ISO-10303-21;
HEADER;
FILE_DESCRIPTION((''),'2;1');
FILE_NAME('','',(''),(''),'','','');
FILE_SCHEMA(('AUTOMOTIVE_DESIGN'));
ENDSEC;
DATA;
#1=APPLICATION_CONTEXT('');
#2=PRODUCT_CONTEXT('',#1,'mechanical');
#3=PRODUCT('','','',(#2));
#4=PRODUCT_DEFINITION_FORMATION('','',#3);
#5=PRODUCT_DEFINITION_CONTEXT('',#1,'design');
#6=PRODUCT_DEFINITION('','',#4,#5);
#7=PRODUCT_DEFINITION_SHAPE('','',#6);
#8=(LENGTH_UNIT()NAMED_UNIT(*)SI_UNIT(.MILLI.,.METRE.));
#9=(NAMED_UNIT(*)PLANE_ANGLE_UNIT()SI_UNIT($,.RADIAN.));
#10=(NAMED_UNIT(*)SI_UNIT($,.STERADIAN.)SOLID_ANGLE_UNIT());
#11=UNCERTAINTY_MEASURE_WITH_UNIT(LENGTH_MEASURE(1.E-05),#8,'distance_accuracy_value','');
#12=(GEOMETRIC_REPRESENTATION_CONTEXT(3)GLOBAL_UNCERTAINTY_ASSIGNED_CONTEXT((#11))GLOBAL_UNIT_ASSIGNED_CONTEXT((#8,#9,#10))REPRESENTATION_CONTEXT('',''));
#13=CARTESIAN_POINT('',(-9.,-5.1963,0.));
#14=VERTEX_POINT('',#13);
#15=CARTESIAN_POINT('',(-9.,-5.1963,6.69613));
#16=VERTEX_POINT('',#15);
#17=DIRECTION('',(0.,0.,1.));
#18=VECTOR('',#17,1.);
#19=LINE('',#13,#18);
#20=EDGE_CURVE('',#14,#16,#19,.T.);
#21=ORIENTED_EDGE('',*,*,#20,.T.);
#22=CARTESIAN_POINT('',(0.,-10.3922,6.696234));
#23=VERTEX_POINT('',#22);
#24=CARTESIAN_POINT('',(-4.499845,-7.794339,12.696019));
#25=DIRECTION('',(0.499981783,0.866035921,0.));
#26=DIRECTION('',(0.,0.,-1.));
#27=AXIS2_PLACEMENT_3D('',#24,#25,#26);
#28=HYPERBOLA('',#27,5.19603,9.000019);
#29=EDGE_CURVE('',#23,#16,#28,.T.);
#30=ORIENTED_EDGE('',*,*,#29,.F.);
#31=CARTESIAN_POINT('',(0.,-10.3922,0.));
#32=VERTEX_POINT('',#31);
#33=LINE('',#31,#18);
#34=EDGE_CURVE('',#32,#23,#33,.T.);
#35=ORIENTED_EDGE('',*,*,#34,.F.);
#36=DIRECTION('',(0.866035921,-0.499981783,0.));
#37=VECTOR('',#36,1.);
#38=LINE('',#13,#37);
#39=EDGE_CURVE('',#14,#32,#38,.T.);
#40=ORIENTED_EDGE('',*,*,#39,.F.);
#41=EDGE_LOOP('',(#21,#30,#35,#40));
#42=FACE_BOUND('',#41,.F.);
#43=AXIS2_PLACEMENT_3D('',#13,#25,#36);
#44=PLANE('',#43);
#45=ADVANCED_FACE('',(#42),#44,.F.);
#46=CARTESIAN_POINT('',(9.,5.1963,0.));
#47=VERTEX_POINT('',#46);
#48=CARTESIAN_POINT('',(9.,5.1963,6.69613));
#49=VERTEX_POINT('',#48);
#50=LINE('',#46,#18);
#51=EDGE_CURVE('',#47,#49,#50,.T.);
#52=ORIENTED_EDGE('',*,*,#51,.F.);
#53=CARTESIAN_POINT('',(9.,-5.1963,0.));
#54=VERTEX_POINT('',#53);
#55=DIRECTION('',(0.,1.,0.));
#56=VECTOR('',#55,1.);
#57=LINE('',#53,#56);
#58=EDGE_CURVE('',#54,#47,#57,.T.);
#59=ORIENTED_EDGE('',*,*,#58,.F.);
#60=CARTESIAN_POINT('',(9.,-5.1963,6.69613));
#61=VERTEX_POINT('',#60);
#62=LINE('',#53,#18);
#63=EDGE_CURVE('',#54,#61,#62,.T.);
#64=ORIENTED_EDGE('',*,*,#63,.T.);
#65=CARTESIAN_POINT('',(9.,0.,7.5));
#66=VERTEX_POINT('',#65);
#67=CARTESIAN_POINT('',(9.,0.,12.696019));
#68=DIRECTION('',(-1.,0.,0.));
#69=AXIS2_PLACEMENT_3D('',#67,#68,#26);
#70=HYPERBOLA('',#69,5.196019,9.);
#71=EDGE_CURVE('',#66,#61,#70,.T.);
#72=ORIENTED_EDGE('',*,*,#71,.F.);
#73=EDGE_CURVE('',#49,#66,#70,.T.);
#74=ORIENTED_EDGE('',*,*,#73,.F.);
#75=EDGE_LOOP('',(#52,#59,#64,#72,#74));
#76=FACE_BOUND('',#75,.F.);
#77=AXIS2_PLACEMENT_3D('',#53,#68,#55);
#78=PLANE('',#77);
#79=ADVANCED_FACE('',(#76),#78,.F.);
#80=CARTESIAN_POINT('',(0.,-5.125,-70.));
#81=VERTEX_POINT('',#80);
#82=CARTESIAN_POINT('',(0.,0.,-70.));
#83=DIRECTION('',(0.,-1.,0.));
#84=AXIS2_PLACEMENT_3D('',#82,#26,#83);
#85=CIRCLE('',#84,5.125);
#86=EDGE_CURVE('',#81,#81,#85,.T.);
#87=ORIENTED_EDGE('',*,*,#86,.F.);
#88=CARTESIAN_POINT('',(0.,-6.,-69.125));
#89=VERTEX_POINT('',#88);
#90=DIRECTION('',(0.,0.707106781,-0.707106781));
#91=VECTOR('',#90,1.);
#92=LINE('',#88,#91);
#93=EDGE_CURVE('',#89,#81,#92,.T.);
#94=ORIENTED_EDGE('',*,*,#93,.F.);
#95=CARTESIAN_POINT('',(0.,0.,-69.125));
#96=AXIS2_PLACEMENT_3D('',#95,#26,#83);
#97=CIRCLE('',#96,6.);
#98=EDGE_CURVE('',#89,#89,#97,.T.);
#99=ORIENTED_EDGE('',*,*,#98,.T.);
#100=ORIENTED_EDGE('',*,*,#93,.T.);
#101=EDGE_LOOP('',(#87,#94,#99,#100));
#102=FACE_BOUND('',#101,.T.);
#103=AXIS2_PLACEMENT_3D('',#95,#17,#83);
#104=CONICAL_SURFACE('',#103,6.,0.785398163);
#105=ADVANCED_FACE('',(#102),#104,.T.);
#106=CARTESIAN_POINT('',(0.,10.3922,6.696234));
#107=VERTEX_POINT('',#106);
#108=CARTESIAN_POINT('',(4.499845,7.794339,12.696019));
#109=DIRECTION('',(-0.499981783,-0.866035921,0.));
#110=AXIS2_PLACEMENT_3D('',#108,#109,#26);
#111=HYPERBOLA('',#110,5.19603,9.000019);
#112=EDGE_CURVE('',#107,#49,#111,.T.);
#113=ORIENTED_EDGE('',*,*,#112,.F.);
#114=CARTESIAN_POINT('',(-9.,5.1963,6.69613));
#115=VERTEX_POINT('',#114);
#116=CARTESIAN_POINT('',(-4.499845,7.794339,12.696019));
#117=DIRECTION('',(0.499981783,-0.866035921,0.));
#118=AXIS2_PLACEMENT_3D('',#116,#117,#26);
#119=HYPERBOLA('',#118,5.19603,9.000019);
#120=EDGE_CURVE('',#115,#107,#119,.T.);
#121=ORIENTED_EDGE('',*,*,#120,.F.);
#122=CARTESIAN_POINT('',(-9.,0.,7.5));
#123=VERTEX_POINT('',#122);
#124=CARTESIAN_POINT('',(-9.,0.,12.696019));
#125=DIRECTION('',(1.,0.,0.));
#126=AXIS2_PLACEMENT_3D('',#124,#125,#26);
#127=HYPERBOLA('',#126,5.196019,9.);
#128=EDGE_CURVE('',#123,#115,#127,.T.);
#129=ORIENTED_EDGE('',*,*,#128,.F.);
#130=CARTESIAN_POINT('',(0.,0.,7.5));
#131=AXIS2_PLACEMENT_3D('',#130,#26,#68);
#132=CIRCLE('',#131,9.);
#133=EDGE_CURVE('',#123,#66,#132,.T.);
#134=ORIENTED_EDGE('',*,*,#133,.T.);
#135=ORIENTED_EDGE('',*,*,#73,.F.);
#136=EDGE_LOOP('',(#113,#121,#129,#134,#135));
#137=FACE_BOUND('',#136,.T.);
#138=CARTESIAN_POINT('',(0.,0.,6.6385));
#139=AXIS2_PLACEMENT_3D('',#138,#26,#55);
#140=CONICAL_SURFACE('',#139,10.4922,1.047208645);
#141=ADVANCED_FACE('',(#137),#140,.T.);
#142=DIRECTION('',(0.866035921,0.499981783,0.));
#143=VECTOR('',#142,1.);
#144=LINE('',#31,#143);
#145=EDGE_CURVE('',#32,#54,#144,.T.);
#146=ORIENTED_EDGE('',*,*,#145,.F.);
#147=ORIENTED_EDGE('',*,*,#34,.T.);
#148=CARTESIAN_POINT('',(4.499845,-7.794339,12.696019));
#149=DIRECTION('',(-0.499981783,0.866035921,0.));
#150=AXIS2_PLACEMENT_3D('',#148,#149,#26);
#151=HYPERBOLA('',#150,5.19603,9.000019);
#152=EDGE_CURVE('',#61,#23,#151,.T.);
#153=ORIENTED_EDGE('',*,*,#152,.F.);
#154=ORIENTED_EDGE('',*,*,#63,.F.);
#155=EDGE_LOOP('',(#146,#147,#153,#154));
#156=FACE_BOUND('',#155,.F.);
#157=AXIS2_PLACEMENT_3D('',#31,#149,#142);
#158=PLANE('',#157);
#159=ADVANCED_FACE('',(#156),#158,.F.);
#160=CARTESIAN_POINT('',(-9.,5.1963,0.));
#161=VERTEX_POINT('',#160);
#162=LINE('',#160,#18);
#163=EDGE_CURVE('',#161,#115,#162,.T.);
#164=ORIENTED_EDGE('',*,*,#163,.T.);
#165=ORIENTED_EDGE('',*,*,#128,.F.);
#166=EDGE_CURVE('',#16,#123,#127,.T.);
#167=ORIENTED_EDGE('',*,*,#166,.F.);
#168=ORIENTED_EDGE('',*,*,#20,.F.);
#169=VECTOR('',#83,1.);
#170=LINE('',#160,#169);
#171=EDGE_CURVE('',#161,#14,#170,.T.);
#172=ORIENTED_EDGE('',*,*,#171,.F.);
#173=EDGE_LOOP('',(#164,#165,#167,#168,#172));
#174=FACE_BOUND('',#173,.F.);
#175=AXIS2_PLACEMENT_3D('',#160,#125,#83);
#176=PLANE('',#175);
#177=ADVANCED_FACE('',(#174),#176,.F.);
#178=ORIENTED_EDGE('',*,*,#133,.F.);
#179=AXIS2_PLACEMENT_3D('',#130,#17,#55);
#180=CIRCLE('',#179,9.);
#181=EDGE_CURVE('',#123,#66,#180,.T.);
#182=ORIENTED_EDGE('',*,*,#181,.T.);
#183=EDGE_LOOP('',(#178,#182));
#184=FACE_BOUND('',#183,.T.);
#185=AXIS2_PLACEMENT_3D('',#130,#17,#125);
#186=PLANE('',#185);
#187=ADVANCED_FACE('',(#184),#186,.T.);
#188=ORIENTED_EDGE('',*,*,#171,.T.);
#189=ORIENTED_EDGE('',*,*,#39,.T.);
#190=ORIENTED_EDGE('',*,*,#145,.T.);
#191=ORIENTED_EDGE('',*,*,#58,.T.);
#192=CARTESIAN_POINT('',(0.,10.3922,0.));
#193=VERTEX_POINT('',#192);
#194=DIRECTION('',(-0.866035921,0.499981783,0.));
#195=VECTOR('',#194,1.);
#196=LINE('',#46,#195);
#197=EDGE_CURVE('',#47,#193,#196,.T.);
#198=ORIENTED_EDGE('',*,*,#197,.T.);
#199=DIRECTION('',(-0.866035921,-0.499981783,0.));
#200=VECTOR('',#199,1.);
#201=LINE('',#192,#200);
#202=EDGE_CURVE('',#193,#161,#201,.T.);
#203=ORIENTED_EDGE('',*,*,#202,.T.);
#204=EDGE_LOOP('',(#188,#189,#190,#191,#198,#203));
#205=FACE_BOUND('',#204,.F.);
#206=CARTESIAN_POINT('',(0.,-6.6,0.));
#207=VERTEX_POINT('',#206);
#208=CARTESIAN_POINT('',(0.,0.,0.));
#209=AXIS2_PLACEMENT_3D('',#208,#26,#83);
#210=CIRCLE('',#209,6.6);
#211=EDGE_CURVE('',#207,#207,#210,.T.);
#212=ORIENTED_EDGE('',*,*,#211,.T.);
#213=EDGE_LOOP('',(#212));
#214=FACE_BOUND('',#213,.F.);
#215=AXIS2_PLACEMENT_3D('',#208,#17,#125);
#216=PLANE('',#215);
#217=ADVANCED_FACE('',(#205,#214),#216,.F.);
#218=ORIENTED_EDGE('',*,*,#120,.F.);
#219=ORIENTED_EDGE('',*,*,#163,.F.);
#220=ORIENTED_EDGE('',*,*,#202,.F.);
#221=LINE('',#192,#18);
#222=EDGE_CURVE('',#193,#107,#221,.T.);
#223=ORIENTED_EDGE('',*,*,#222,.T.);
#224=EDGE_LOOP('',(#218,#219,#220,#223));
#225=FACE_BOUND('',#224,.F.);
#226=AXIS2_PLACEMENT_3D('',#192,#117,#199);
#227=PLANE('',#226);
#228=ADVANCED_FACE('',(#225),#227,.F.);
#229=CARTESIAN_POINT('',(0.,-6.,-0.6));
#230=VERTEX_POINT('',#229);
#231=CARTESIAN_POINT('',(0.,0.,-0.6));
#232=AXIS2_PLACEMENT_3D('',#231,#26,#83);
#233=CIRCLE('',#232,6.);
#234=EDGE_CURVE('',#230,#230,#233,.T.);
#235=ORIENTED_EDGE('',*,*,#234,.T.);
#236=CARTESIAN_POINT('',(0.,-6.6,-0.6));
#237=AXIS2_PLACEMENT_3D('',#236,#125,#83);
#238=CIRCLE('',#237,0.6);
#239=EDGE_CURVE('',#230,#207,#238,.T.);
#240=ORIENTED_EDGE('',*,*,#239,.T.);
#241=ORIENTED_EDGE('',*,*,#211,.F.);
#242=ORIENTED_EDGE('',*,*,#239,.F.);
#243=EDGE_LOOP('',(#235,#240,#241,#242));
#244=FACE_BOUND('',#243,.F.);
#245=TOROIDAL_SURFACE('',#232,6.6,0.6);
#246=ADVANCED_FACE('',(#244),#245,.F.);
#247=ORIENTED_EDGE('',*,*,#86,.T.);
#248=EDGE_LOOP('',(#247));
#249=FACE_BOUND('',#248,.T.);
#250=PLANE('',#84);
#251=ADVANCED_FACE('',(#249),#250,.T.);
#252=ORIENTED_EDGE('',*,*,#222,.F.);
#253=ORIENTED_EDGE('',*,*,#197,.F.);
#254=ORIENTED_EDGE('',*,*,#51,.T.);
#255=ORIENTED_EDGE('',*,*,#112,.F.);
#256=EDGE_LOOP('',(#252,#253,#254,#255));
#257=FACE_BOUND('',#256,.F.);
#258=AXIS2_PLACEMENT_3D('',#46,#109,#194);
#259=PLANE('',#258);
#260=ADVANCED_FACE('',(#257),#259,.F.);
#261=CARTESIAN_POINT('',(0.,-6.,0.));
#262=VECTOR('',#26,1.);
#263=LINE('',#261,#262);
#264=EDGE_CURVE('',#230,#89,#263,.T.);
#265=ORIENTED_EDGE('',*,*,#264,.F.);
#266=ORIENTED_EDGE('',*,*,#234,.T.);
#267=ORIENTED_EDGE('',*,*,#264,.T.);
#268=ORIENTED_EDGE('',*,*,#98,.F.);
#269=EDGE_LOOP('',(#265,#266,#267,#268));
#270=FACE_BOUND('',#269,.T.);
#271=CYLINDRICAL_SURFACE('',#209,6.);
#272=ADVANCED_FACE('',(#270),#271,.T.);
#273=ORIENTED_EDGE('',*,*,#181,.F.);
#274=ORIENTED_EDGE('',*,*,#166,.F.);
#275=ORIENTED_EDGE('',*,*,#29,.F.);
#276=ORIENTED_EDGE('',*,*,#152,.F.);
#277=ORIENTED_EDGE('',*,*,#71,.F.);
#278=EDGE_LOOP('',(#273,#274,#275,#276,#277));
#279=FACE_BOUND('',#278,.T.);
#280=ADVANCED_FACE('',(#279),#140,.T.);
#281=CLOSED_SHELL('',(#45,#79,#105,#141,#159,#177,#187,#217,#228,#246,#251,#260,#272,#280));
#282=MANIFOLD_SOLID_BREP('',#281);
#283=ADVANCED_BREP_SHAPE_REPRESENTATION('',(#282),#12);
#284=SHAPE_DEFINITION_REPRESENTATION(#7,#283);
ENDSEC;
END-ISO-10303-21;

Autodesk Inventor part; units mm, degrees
ref_plane "WorkPlane1" through (0, 0, 0) normal (0, 0, 1) x (1, 0, 0)
sketch "Sketch1" plane through (0, 0, 0) normal (0, 0, 1) x (1, 0, 0)
  point P0 (0, 0)
sketch "Sketch2" plane through (0, 0, 0) normal (0, 0, 1) x (1, 0, 0)
  line L0 (-9, 5.1963) -> (-9, -5.1963)
  line L1 (0, 10.3922) -> (-9, 5.1963)
  line L2 (9, 5.1963) -> (0, 10.3922)
  line L3 (9, -5.1963) -> (9, 5.1963)
  line L4 (0, -10.3922) -> (9, -5.1963)
  line L5 (-9, -5.1963) -> (0, -10.3922)
  circle A0 centre (0, 0) radius 9 construction
  dimension "d1" = 18
  dimension "d29" = 0
  dimension "d30" = 0
extrude "Extrusion1" add sketch "Sketch2" along normal blind 7.5
sketch "Sketch3" plane through (0, 0, 0) normal (1, 0, 0) x (0, 1, 0)
  line L0 (9, 7.5) -> (10.4922, 7.5)
  line L1 (10.4922, 6.6385) -> (9, 7.5)
  line L2 (10.4922, 7.5) -> (10.4922, 6.6385)
  line L3 (0, -1.5) -> (0, 9) projected
  line L4 (10.3922, 0) -> (10.3922, 7.5) projected
  dimension "d25" = 0.1
  dimension "d26" = 0
  dimension "d27" = 60
  dimension "d28" = 9
revolve "Revolution1" cut sketch "Sketch3" angle 360 about axis through (0, 0, -10) along (0, 0, 1)
sketch "Sketch4" plane through (0, 0, 0) normal (1, 0, 0) x (0, 1, 0)
  line L0 (0, -70) -> (0, 0)
  line L1 (-6, -70) -> (0, -70)
  line L2 (-6, 0) -> (-6, -70)
  line L3 (0, 0) -> (-6, 0)
  line L4 (0, -70) -> (0, 0)
  line L5 (-7.2, 0) -> (1.2, 0) projected
  line L6 (0, -84) -> (0, 14) projected
  dimension "d18" = 6
  dimension "d20" = 70
  dimension "d33" = 0
  dimension "d34" = 0
revolve "Revolution2" add sketch "Sketch4" angle 360 about axis through (0, 0, -70) along (0, 0, -1)
chamfer "Chamfer1" distance 0.875 angle 45 1 edges at (0, 6, -70)
fillet "Fillet1" radius 0.6 1 edges at (0, 6, 0)
thread "Thread1" size "M12x1.75" class "6g" standard "ISO Metric profile" length 66.5
ref_plane "MSC_PF1" through (0, 0, 0) normal (1, 0, 0) x (0, 1, 0)
ref_plane "MSC_PT1" through (0, 0, 0) normal (0, 0, -1) x (-1, 0, 0)
equation "\"d22\" = 0.5 * PTC"
equation "\"d23\" = 0.5 * PTC"
equation "\"d24\" = r"
equation "\"d1\" = ParS"
equation "\"d6\" = ParK"
equation "\"b\" = NLG - 2 * PTC"
equation "\"d28\" = 0.5 * ParS"
equation "\"d18\" = 0.5 * NND"
equation "\"d20\" = NLG"
equation "\"NND\" = 12"
equation "\"NLG\" = 70"
equation "\"PTC\" = 1.75"
equation "\"ParK\" = 7.5"
equation "\"ParS\" = 18"
equation "\"msp_es\" = 0.577367 * ParS"
equation "\"r\" = 0.6"
equation "\"THREADDIA\" = NND"
properties part number "ISO 4018 - M12 x 70" material "Steel"
